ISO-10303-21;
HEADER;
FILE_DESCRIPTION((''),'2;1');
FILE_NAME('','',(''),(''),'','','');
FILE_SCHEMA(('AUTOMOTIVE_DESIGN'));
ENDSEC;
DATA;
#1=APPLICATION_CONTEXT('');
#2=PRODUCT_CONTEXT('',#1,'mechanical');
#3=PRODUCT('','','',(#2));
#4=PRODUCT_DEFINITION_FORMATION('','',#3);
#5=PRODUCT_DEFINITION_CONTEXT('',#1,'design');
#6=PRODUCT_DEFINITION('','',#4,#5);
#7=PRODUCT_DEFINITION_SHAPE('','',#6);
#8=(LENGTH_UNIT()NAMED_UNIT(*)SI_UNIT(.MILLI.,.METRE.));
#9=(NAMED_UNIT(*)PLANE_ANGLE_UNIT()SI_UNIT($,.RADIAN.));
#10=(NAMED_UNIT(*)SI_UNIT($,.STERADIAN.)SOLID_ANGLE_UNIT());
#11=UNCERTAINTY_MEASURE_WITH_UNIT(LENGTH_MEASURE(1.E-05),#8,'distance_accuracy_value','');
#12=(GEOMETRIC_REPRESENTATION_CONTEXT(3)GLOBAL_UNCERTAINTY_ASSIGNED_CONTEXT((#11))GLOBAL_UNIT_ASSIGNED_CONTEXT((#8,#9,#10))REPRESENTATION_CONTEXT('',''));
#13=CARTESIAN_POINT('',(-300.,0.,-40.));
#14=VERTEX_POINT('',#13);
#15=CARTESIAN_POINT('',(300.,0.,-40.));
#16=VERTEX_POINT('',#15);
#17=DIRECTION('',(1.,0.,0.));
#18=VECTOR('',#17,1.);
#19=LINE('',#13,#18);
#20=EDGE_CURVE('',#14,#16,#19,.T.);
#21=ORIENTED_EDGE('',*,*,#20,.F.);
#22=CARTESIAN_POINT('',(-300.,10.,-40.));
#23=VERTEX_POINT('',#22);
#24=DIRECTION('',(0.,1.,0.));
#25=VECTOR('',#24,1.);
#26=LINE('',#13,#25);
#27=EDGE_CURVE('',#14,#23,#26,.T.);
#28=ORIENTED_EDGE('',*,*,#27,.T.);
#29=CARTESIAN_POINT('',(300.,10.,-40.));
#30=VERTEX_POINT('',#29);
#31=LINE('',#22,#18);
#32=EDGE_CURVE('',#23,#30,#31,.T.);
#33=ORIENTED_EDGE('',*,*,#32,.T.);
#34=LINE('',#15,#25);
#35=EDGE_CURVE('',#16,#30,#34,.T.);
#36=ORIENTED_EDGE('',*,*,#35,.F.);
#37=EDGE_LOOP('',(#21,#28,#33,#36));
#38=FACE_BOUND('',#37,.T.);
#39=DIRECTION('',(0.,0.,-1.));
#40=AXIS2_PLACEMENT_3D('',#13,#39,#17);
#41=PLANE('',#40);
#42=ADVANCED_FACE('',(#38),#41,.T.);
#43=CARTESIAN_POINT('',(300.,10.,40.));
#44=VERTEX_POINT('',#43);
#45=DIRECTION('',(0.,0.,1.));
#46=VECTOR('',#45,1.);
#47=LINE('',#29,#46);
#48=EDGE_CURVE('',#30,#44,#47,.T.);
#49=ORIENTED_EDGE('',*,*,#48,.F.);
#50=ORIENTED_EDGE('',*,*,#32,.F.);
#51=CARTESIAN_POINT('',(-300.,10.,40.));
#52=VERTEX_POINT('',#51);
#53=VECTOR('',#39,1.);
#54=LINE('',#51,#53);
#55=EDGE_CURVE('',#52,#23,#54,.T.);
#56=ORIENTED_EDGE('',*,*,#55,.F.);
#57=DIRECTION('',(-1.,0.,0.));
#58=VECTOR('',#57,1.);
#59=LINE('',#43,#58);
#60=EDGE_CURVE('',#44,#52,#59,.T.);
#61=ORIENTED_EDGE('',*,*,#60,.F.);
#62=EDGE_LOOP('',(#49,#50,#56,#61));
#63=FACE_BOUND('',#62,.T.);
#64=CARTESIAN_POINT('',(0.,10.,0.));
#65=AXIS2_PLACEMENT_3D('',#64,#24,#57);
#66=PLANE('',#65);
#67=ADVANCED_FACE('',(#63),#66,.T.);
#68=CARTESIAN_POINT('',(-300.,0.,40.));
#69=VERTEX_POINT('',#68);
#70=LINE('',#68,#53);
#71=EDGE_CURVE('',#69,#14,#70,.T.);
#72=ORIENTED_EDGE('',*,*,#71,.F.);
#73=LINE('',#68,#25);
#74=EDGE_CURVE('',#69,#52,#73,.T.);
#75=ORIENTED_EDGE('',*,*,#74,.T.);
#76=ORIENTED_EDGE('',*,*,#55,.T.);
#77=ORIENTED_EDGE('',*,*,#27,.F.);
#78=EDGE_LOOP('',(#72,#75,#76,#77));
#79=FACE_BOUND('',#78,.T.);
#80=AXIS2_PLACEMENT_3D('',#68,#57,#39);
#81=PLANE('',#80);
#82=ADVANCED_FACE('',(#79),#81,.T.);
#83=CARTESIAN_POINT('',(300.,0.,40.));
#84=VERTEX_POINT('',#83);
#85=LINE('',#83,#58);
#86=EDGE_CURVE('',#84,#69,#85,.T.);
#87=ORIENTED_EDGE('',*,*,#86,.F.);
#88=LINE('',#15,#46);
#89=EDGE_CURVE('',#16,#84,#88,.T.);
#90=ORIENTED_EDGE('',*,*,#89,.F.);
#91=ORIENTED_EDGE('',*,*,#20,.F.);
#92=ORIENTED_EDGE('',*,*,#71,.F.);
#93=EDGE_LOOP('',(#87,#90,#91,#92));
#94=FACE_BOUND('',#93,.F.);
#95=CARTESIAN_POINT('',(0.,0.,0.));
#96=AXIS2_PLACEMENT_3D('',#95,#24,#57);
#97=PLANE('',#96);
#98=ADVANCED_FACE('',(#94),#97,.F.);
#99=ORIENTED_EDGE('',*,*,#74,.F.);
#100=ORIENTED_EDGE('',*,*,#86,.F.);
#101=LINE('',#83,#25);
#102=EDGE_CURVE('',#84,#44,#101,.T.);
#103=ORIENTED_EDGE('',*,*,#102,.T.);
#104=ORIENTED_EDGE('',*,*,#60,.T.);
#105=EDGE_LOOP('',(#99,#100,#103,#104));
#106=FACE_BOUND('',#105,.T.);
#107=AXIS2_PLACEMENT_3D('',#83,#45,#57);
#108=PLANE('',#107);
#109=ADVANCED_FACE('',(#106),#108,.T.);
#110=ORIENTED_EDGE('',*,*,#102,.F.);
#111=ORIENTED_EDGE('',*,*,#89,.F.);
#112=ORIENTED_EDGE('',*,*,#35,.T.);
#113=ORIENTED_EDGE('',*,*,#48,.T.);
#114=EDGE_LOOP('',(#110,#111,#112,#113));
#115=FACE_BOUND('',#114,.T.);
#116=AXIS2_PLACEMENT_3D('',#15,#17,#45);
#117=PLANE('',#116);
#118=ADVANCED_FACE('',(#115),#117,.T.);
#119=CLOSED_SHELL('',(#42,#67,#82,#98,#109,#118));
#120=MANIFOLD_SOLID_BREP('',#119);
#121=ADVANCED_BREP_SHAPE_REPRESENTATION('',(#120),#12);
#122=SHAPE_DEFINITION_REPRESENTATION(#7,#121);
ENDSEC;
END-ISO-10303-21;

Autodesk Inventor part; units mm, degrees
ref_plane "YZ Plane" through (0, 0, 0) normal (1, 0, 0) x (0, 1, 0)
ref_plane "XZ Plane" through (0, 0, 0) normal (0, 1, 0) x (-1, 0, 0)
ref_plane "XY Plane" through (0, 0, 0) normal (0, 0, 1) x (1, 0, 0)
sketch "Szkic1" plane through (0, 0, 0) normal (0, 1, 0) x (-1, 0, 0)
  line L0 (300, -40) -> (-300, -40)
  line L1 (-300, -40) -> (-300, 40)
  line L2 (-300, 40) -> (300, 40)
  line L3 (300, 40) -> (300, -40)
  line L4 (300, -40) -> (-300, 40) construction
  line L5 (-300, -40) -> (300, 40) construction
  point P0 (0, 0)
  dimension "d0" = 600
  dimension "d1" = 80
extrude "Wyciągnięcie proste1" add sketch "Szkic1" along normal blind 10
properties part number "podstawa d"
